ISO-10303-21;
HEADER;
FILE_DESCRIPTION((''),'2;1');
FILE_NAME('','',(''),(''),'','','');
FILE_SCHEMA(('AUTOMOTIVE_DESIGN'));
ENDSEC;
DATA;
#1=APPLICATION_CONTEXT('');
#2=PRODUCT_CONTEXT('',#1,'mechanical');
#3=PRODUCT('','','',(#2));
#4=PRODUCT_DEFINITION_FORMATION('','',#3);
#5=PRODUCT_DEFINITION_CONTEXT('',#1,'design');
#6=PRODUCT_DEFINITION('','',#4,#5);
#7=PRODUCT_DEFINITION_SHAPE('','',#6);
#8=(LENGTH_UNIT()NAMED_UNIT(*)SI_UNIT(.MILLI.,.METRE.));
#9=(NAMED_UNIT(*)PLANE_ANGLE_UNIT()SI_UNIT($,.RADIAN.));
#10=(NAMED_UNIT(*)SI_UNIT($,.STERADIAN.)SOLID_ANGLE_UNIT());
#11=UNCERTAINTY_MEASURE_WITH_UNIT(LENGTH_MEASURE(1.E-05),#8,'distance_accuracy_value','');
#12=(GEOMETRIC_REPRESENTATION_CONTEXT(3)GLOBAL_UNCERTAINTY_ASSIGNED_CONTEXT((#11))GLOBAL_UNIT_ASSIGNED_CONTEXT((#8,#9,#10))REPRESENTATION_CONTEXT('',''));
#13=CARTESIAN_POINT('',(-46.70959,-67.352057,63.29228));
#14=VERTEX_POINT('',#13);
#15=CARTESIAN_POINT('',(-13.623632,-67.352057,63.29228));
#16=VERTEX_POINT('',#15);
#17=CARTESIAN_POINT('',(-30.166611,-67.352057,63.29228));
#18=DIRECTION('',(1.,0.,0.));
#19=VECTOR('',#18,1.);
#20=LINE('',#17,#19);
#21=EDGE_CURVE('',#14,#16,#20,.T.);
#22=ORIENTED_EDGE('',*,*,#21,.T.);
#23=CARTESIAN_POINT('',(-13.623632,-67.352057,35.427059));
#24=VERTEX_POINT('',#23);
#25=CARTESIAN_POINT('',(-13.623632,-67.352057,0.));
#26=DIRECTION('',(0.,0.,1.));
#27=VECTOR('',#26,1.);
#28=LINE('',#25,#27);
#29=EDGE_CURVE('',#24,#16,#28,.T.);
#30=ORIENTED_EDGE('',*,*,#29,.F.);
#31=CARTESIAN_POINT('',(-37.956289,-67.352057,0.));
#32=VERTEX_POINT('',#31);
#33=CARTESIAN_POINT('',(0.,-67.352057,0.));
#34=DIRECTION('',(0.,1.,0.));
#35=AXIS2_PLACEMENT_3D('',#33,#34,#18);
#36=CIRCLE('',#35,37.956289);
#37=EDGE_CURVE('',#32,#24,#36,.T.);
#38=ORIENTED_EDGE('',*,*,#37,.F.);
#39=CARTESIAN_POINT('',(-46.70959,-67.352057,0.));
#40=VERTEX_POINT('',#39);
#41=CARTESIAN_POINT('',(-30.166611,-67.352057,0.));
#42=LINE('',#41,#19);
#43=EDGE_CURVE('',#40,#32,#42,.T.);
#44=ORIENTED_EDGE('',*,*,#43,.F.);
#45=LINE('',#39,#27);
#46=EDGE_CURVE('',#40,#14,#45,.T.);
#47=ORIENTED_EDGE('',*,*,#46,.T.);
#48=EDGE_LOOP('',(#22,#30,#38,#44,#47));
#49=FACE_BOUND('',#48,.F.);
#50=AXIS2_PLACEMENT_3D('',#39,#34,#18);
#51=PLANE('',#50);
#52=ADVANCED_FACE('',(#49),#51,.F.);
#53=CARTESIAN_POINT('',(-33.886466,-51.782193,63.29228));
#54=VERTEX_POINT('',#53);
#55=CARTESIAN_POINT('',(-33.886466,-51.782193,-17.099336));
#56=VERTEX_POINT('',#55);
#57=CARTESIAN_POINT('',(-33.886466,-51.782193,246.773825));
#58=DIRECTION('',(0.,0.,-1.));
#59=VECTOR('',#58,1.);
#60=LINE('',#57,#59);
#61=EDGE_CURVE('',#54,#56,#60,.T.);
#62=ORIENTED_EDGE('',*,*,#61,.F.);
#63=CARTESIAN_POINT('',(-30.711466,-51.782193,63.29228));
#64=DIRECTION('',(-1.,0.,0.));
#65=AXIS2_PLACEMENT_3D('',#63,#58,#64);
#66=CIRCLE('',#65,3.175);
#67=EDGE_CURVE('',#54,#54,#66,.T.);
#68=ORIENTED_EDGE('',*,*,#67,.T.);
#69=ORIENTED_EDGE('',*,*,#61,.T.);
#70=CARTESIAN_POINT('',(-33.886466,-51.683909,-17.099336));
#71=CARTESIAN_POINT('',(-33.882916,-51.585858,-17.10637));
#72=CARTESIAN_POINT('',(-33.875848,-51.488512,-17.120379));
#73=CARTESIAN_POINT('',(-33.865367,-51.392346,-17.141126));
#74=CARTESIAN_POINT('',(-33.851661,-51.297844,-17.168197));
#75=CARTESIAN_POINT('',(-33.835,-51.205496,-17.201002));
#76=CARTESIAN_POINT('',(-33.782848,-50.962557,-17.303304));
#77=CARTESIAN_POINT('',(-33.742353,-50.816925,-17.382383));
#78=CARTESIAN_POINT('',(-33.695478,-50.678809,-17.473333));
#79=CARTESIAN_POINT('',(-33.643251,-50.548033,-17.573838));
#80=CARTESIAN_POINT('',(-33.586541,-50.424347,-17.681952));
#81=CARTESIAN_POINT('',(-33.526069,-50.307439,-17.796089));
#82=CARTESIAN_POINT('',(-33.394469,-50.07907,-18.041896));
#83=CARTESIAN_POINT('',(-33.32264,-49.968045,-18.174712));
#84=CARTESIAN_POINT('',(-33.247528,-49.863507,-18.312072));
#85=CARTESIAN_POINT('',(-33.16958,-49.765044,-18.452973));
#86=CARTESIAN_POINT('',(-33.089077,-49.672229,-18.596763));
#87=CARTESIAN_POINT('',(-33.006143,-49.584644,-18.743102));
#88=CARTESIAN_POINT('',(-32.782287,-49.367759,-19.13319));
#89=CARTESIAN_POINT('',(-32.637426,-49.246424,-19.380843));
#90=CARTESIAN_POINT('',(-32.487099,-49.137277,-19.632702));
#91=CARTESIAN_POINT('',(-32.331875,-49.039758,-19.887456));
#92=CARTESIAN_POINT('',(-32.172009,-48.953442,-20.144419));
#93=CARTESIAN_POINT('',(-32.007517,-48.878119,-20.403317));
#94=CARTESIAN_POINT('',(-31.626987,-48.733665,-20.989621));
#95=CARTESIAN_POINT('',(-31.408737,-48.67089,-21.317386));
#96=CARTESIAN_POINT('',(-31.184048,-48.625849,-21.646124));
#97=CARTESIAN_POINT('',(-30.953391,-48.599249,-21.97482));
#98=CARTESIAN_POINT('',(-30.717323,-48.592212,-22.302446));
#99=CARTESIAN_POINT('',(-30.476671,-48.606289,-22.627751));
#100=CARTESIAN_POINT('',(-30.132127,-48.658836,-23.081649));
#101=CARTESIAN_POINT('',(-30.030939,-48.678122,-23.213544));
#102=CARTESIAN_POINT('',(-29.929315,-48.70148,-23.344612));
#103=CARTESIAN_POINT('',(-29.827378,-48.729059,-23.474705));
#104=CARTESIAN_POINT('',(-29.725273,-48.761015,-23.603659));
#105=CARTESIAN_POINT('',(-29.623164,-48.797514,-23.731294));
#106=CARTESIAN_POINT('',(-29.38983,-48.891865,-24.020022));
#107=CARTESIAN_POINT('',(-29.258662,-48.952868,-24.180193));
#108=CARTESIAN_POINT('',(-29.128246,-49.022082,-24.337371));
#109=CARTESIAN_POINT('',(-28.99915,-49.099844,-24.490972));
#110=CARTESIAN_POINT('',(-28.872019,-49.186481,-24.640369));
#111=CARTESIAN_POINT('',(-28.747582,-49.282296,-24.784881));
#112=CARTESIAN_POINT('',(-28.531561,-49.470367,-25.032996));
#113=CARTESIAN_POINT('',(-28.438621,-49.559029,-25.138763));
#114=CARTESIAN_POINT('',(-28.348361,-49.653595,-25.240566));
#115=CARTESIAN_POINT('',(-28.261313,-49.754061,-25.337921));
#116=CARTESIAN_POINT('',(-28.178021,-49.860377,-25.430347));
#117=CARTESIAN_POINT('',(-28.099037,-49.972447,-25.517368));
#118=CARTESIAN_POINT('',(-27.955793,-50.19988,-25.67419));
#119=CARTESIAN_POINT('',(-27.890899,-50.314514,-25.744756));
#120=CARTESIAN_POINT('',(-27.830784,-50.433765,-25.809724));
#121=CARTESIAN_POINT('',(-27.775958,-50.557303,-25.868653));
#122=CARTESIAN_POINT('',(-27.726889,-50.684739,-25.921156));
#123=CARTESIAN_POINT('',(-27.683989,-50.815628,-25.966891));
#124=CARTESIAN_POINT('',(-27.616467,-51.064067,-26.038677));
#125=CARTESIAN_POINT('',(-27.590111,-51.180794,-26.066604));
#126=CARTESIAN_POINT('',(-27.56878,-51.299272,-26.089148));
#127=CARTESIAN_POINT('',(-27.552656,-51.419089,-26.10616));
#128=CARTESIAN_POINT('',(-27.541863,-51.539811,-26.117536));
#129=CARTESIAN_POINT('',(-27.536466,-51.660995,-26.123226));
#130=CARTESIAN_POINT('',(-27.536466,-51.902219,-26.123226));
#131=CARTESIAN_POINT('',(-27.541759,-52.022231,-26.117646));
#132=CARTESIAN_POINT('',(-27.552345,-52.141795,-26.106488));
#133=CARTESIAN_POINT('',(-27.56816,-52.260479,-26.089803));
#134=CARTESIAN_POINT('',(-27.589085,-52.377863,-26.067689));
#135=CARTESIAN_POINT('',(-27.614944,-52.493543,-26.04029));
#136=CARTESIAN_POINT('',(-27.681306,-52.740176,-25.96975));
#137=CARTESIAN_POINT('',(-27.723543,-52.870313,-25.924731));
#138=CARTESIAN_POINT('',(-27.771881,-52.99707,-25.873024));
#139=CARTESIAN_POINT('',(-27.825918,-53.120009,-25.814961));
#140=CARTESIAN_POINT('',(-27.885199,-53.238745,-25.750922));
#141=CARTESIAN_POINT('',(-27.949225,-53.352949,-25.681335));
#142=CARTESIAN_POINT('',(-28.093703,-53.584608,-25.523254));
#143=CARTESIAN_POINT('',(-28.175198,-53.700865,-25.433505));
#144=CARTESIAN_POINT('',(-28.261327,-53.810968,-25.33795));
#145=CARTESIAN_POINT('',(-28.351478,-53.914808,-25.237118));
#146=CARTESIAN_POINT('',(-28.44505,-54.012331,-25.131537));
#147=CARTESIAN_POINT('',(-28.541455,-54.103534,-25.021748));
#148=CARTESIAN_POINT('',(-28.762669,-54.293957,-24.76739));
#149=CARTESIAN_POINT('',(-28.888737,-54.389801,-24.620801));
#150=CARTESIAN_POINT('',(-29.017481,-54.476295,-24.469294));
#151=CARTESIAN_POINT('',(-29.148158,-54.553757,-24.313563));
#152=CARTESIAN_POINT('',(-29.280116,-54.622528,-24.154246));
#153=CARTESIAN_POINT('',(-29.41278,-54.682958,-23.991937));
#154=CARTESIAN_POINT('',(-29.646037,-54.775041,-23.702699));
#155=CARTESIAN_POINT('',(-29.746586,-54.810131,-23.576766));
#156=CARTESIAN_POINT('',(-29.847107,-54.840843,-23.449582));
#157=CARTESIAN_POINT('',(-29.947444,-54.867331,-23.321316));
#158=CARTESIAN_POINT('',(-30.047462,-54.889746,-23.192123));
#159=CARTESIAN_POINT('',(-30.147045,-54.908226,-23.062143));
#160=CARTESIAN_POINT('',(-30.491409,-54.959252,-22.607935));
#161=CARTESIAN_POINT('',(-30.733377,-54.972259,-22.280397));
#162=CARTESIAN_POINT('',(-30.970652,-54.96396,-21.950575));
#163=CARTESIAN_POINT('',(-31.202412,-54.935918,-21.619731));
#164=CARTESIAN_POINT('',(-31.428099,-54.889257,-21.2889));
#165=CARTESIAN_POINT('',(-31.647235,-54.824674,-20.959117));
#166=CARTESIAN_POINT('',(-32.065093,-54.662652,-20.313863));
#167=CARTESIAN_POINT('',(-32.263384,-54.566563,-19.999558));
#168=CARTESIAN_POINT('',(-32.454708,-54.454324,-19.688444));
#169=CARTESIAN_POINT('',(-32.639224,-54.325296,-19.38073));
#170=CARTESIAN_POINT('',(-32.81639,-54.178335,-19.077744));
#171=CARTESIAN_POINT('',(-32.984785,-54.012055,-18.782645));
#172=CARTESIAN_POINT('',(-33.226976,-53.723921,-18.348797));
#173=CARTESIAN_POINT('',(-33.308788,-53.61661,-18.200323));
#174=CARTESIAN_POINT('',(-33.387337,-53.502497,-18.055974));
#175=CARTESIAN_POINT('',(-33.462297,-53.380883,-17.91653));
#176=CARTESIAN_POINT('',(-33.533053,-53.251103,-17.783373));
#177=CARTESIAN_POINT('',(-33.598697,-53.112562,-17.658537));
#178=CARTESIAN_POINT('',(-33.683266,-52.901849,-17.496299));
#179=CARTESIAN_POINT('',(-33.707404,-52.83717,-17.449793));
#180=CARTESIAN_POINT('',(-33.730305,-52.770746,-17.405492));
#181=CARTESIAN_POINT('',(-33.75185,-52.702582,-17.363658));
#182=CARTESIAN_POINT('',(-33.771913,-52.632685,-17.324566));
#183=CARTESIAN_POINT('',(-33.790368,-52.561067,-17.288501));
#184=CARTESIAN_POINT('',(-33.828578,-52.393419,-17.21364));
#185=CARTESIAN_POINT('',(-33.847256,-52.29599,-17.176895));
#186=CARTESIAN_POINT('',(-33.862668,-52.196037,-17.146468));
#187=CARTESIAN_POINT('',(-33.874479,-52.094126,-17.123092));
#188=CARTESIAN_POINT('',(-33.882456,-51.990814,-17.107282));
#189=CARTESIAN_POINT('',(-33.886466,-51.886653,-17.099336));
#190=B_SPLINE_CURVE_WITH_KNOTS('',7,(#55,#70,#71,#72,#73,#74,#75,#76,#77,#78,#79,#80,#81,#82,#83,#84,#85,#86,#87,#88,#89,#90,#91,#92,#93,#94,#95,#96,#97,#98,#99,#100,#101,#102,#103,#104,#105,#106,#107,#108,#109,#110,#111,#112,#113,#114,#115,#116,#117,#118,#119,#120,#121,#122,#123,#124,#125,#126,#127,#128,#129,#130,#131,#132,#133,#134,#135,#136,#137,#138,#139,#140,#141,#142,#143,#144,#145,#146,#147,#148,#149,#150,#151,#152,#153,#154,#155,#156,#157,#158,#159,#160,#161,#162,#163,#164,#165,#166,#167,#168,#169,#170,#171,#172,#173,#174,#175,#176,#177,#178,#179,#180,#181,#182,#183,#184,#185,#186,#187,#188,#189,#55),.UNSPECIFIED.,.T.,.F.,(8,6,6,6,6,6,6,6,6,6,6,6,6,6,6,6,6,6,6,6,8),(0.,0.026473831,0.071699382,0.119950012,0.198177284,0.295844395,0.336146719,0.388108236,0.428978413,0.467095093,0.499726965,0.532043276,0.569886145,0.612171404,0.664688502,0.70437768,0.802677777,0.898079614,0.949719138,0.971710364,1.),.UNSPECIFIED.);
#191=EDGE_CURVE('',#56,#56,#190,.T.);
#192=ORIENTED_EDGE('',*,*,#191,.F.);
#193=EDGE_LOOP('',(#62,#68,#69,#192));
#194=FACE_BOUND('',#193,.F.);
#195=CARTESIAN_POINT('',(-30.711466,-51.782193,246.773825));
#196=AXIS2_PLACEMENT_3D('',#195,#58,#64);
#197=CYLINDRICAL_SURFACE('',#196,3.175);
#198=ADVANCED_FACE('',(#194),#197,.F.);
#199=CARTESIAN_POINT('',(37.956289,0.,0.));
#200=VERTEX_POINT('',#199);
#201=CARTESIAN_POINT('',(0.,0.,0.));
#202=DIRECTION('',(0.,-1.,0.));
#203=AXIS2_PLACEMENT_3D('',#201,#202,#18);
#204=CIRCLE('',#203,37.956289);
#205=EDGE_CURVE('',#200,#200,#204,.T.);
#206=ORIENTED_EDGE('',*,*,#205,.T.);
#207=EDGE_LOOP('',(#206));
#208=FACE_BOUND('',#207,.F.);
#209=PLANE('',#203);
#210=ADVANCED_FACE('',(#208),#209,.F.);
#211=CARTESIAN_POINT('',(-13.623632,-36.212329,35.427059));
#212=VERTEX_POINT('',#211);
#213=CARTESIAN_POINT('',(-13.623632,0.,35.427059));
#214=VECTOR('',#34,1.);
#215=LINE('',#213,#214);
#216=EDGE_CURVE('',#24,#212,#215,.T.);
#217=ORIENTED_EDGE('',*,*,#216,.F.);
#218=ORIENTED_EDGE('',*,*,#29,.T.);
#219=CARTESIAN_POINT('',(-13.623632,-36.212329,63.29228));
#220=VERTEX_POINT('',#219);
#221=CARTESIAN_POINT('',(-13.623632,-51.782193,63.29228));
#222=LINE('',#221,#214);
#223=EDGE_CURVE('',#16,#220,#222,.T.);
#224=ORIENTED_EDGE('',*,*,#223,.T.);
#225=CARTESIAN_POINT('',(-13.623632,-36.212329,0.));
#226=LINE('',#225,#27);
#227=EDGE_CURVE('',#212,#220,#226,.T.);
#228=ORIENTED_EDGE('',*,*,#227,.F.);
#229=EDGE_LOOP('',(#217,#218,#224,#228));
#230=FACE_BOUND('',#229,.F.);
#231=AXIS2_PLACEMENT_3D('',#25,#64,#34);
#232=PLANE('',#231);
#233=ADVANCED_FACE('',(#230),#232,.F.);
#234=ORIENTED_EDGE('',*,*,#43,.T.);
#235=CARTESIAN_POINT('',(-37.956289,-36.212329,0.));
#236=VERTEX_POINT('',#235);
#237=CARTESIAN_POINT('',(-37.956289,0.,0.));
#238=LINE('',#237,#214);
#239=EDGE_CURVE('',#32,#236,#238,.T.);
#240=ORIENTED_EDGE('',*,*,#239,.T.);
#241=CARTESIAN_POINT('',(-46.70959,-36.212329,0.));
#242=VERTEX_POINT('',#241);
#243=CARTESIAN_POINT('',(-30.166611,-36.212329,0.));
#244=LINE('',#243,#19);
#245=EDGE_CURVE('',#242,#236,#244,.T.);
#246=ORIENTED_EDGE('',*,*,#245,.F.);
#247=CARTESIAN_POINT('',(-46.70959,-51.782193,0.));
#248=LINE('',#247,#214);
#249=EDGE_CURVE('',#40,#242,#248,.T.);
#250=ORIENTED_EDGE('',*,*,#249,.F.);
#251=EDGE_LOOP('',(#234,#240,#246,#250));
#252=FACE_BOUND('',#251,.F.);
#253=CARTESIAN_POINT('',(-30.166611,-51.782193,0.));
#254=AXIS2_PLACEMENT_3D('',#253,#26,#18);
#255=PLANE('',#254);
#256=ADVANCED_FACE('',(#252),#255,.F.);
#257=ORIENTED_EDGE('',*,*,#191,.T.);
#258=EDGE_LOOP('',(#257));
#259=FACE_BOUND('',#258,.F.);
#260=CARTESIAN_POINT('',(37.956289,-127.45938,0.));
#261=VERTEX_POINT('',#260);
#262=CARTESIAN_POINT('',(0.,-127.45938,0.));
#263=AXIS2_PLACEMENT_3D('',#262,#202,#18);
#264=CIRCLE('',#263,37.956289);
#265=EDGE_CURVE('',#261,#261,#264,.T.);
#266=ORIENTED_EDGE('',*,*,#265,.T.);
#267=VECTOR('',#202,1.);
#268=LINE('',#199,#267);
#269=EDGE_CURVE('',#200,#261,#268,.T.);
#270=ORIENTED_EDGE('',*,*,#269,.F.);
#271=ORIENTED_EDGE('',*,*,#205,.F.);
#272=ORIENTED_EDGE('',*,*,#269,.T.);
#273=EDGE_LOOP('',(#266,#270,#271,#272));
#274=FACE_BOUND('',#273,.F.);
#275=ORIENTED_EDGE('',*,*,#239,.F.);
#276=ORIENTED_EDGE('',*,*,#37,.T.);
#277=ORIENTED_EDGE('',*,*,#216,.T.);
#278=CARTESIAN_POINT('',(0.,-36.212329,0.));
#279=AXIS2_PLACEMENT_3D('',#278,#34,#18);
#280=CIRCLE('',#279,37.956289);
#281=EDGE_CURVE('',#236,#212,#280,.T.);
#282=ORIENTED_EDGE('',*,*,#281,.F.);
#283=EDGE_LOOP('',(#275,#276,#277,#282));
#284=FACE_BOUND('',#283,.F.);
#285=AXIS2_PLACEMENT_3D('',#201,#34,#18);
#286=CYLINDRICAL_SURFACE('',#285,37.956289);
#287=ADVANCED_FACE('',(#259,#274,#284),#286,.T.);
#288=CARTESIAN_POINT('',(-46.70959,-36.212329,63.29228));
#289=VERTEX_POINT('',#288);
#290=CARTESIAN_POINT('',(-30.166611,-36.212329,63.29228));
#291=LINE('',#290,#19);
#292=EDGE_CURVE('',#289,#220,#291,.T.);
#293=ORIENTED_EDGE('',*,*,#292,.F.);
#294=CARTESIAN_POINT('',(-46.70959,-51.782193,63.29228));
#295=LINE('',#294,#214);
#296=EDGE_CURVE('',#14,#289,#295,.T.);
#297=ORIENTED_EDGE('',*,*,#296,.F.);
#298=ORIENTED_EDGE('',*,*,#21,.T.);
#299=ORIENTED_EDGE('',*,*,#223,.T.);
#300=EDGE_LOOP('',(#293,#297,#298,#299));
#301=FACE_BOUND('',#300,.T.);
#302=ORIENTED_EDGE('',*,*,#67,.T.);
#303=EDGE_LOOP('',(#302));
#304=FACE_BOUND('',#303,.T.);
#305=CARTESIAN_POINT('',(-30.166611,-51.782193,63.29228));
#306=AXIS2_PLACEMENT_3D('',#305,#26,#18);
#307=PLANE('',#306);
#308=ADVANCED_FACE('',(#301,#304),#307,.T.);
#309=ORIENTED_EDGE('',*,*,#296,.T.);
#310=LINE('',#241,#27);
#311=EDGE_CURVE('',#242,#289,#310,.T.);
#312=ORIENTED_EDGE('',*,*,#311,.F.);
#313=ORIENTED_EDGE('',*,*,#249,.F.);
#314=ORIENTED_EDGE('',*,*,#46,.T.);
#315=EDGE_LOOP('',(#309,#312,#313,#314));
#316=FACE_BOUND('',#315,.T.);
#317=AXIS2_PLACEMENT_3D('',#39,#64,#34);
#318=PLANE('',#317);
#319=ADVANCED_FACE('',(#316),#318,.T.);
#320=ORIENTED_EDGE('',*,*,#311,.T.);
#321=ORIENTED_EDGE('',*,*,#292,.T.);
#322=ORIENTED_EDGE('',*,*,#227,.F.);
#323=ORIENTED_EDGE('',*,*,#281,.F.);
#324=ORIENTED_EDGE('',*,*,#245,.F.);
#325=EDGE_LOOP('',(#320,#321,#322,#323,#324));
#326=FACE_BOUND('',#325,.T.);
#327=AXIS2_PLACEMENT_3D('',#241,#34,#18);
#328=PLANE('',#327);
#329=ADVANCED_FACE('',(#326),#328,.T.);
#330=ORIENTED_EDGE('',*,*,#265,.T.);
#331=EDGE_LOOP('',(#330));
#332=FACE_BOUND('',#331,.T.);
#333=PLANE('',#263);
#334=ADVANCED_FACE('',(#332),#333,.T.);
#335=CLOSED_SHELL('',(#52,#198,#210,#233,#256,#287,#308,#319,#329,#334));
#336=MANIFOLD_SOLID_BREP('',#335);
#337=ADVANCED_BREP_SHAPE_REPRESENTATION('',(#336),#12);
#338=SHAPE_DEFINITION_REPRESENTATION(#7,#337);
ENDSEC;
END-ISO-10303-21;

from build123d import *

# Parameters (mm, degrees)
F0_R     = 37.956289
F1_DEPTH = 127.45938
F2_W     = 33.085958
F2_H     = 31.139728
F3_DEPTH = 63.29228
F5_D     = 6.35


with BuildPart() as f1:
    # F0 (on Front) → F1 (new body)
    with BuildSketch(Plane.XZ):
        Circle(F0_R)
    extrude(amount=F1_DEPTH)

    # F2 (on Top) → F3 (join)
    with BuildSketch(Plane.XY):
        with Locations((-30.166611, -51.782193)):
            Rectangle(F2_W, F2_H)
    extrude(amount=F3_DEPTH)

    # F5 (through all)
    with Locations(Plane.XY.offset(63.29228)):
        with Locations((-30.711466, -51.782193)):
            Hole(F5_D / 2)


solid = f1.part
